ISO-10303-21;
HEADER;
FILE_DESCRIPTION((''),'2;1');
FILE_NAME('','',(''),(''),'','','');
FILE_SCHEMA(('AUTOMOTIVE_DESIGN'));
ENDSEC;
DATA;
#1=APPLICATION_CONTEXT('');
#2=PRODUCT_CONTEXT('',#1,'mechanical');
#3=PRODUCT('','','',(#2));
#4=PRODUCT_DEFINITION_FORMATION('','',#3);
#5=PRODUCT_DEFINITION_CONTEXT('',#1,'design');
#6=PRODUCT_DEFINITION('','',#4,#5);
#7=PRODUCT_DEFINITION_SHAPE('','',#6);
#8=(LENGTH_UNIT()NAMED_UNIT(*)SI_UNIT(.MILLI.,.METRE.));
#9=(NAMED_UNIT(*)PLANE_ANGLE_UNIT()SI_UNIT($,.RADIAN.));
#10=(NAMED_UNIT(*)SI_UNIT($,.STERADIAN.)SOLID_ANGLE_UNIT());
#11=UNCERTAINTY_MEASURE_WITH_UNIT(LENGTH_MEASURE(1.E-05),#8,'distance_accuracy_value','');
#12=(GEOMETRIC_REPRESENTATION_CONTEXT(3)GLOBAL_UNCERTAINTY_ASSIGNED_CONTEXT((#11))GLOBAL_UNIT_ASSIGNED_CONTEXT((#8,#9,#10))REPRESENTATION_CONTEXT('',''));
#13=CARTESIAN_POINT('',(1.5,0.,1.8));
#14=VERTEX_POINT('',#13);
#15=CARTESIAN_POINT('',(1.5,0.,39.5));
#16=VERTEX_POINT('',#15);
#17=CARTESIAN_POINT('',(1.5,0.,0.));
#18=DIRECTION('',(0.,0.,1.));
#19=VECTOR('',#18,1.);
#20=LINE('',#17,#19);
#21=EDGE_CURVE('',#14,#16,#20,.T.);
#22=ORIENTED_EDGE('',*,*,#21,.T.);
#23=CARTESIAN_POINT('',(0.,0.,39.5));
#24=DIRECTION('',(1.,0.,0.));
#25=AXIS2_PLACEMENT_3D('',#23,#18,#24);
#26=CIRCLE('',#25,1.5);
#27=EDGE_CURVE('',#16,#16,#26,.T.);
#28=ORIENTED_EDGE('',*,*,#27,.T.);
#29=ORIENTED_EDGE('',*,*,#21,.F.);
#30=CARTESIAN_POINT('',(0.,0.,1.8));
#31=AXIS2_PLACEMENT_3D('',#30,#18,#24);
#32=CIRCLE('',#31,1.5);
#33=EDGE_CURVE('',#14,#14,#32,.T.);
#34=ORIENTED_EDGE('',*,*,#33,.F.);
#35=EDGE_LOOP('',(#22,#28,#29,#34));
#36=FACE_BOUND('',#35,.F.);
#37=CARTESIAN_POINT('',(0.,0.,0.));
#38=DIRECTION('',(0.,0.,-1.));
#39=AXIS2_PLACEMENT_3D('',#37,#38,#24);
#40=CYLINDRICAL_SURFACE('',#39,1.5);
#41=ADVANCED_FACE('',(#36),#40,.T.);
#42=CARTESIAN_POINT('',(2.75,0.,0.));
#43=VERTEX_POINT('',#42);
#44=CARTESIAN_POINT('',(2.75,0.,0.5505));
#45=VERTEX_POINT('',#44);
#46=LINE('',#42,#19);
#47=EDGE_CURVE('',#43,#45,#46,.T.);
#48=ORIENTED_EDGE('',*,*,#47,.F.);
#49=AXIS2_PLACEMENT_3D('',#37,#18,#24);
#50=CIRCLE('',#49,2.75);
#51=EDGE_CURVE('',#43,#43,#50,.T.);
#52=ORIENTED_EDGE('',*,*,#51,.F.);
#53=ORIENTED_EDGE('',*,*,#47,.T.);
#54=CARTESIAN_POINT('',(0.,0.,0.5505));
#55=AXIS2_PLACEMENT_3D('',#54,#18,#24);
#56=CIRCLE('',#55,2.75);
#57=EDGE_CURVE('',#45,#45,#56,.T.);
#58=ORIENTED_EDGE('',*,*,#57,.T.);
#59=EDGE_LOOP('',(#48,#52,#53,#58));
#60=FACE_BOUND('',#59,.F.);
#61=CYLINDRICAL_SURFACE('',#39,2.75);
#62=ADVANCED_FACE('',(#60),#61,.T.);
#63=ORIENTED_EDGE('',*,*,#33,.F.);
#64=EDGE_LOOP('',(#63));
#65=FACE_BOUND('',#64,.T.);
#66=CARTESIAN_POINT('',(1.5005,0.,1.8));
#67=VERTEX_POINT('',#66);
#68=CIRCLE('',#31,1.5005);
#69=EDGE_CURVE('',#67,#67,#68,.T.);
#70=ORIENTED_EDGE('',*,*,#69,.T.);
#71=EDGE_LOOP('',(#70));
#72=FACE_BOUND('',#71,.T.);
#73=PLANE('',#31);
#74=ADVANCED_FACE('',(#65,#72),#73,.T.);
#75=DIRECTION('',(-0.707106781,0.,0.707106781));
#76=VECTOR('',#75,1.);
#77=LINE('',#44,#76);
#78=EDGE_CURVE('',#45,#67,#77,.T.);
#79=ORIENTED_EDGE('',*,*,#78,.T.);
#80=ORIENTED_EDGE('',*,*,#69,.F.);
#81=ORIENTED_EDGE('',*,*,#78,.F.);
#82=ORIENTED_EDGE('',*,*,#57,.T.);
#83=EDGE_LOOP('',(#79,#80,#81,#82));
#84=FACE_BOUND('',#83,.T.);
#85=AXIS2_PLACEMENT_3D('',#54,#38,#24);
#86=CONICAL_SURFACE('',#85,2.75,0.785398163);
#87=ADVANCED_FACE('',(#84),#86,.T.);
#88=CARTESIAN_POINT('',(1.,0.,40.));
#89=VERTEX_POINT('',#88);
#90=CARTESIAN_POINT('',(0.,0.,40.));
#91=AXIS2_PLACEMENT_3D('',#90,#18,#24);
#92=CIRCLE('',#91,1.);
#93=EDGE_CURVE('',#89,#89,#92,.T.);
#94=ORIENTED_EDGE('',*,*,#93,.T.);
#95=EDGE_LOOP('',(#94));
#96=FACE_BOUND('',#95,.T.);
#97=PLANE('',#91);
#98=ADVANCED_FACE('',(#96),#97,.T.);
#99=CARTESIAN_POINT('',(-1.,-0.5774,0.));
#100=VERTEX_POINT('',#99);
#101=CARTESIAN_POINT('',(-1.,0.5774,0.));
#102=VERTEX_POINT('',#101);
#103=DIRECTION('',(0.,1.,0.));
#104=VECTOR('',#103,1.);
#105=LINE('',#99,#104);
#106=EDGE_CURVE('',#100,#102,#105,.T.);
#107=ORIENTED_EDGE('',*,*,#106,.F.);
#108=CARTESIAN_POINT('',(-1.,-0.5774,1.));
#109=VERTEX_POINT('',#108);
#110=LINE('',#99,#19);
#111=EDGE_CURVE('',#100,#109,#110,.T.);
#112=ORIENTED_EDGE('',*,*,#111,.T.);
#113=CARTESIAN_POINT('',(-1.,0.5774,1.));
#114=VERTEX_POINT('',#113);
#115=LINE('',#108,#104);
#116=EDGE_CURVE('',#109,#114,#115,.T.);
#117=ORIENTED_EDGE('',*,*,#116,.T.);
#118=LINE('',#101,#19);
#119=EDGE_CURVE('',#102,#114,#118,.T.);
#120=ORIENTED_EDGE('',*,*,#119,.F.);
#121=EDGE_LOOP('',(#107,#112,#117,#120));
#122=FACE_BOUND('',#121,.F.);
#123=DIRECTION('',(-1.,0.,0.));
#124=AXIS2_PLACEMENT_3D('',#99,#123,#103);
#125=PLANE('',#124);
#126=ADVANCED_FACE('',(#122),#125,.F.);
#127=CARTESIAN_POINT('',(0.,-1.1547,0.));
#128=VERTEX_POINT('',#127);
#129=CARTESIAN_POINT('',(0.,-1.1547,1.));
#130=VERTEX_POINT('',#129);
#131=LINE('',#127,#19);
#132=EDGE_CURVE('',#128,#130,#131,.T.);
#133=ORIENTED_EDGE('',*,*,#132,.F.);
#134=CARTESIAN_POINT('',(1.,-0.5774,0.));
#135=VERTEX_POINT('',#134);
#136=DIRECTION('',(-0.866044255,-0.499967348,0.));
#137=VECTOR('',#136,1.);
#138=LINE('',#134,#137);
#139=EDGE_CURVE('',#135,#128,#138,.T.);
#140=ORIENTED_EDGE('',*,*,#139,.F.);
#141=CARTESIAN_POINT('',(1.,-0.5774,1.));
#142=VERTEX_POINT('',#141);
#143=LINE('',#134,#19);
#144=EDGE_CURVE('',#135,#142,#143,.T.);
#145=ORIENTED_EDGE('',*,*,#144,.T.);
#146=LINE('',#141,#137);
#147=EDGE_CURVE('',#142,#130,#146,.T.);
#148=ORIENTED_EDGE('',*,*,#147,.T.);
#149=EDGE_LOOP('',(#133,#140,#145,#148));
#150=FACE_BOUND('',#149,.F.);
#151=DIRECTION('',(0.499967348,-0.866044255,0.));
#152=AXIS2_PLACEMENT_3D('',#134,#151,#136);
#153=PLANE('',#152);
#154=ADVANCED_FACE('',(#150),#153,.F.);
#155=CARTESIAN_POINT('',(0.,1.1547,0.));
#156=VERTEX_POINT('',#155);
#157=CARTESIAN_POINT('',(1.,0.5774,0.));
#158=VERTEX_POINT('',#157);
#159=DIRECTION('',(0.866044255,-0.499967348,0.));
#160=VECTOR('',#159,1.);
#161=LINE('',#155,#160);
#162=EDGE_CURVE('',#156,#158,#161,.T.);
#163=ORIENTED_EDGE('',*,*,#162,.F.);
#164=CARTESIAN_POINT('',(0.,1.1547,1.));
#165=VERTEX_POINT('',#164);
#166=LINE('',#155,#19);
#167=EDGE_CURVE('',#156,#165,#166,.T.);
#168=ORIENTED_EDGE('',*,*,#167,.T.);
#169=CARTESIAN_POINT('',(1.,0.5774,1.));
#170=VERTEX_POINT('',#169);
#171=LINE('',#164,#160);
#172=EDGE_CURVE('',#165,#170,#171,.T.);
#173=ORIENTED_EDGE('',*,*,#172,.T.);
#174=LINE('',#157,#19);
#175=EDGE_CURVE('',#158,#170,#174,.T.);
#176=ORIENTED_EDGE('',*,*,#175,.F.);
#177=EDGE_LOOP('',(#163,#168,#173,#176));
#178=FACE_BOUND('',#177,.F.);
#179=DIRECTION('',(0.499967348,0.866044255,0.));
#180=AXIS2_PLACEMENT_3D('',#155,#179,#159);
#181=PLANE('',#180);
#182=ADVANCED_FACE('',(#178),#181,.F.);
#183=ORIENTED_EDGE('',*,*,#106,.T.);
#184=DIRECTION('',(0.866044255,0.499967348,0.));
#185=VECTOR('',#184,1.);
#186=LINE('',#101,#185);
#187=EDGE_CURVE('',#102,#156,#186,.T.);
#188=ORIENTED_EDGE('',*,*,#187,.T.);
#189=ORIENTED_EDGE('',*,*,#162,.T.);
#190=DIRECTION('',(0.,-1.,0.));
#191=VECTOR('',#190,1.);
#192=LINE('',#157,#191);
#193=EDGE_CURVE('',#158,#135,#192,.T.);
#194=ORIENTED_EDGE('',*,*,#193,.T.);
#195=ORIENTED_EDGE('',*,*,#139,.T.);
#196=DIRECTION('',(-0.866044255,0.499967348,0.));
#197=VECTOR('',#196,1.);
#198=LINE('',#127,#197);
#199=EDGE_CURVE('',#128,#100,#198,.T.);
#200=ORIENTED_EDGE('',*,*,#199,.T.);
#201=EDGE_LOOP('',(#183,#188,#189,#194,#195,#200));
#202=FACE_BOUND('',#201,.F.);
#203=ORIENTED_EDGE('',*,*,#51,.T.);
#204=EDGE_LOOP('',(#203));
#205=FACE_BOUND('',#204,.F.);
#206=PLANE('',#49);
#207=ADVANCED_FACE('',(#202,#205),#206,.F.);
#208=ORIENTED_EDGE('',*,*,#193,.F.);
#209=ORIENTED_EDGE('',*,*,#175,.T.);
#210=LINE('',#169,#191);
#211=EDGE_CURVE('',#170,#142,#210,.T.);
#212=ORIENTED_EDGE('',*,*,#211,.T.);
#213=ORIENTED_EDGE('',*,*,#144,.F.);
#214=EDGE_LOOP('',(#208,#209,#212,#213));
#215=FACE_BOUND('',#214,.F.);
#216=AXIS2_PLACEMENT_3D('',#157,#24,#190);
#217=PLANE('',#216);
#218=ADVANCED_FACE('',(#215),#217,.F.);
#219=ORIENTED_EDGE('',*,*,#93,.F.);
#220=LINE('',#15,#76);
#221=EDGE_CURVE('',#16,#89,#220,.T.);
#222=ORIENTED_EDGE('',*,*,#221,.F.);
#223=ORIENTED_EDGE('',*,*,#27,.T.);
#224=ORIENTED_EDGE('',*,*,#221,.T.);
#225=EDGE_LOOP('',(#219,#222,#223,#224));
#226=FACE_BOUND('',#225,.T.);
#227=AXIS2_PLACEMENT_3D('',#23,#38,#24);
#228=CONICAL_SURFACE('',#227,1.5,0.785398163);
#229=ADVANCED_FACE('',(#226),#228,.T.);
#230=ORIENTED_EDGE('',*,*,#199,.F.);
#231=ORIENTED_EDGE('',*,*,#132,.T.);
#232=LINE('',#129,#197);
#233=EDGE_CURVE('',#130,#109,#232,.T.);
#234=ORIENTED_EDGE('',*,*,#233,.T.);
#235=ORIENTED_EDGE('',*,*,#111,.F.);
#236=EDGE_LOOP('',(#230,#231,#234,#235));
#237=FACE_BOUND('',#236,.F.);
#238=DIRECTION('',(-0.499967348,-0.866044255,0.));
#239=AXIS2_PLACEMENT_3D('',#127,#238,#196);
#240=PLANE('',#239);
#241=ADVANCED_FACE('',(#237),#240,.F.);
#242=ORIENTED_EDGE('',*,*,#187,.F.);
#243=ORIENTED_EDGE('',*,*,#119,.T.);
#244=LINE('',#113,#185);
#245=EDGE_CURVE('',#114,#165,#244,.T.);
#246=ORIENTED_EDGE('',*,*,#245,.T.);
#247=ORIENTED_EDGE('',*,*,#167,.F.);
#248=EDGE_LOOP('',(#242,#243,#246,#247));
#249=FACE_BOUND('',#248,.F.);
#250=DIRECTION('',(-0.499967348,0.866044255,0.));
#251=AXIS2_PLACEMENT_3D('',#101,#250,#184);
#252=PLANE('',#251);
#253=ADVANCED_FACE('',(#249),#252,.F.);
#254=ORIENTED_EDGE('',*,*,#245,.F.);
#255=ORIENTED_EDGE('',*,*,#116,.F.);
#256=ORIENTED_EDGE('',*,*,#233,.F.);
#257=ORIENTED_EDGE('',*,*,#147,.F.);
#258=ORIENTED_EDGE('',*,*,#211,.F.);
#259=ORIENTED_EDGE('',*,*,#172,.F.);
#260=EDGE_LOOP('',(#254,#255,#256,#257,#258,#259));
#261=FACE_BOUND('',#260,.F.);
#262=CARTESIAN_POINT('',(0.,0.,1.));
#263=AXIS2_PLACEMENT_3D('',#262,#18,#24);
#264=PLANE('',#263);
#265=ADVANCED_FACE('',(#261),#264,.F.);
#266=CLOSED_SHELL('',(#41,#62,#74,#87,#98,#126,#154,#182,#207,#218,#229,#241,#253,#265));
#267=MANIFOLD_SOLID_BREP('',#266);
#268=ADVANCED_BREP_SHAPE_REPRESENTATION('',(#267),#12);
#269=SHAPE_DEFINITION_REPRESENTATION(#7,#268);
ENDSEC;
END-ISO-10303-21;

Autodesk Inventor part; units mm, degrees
ref_plane "YZ Plane" through (0, 0, 0) normal (1, 0, 0) x (0, 1, 0)
ref_plane "XZ Plane" through (0, 0, 0) normal (0, 1, 0) x (-1, 0, 0)
ref_plane "XY Plane" through (0, 0, 0) normal (0, 0, 1) x (1, 0, 0)
sketch "Эскиз1" plane through (0, 0, 0) normal (0, 0, 1) x (1, 0, 0)
  circle A0 centre (0, 0) radius 1.5
  circle A1 centre (0, 0) radius 2.75
  line L0 (0, 1.1547) -> (1, 0.5774)
  line L1 (1, 0.5774) -> (1, -0.5774)
  line L2 (1, -0.5774) -> (0, -1.1547)
  line L3 (0, -1.1547) -> (-1, -0.5774)
  line L4 (-1, -0.5774) -> (-1, 0.5774)
  line L5 (-1, 0.5774) -> (0, 1.1547)
  dimension "d0" = 3
  dimension "d1" = 5.5
  dimension "d2" = 2
extrude "Выдавливание1" add sketch "Эскиз1" along normal blind 40 contours A0 | L0 L1 L2 L3 L4 L5
extrude "Выдавливание2" add sketch "Эскиз1" along normal blind 1.8 contours A1
chamfer "Фаска1" distance 1.25 angle 45 1 edges at (-2.75, 0, 1.8)
extrude "Выдавливание3" cut sketch "Эскиз1" along normal blind 1 contours L0 L1 L2 L3 L4 L5
chamfer "Фаска2" distance 0.5 angle 45 1 edges at (-1.5, 0, 40)
properties part number "M3X40"
